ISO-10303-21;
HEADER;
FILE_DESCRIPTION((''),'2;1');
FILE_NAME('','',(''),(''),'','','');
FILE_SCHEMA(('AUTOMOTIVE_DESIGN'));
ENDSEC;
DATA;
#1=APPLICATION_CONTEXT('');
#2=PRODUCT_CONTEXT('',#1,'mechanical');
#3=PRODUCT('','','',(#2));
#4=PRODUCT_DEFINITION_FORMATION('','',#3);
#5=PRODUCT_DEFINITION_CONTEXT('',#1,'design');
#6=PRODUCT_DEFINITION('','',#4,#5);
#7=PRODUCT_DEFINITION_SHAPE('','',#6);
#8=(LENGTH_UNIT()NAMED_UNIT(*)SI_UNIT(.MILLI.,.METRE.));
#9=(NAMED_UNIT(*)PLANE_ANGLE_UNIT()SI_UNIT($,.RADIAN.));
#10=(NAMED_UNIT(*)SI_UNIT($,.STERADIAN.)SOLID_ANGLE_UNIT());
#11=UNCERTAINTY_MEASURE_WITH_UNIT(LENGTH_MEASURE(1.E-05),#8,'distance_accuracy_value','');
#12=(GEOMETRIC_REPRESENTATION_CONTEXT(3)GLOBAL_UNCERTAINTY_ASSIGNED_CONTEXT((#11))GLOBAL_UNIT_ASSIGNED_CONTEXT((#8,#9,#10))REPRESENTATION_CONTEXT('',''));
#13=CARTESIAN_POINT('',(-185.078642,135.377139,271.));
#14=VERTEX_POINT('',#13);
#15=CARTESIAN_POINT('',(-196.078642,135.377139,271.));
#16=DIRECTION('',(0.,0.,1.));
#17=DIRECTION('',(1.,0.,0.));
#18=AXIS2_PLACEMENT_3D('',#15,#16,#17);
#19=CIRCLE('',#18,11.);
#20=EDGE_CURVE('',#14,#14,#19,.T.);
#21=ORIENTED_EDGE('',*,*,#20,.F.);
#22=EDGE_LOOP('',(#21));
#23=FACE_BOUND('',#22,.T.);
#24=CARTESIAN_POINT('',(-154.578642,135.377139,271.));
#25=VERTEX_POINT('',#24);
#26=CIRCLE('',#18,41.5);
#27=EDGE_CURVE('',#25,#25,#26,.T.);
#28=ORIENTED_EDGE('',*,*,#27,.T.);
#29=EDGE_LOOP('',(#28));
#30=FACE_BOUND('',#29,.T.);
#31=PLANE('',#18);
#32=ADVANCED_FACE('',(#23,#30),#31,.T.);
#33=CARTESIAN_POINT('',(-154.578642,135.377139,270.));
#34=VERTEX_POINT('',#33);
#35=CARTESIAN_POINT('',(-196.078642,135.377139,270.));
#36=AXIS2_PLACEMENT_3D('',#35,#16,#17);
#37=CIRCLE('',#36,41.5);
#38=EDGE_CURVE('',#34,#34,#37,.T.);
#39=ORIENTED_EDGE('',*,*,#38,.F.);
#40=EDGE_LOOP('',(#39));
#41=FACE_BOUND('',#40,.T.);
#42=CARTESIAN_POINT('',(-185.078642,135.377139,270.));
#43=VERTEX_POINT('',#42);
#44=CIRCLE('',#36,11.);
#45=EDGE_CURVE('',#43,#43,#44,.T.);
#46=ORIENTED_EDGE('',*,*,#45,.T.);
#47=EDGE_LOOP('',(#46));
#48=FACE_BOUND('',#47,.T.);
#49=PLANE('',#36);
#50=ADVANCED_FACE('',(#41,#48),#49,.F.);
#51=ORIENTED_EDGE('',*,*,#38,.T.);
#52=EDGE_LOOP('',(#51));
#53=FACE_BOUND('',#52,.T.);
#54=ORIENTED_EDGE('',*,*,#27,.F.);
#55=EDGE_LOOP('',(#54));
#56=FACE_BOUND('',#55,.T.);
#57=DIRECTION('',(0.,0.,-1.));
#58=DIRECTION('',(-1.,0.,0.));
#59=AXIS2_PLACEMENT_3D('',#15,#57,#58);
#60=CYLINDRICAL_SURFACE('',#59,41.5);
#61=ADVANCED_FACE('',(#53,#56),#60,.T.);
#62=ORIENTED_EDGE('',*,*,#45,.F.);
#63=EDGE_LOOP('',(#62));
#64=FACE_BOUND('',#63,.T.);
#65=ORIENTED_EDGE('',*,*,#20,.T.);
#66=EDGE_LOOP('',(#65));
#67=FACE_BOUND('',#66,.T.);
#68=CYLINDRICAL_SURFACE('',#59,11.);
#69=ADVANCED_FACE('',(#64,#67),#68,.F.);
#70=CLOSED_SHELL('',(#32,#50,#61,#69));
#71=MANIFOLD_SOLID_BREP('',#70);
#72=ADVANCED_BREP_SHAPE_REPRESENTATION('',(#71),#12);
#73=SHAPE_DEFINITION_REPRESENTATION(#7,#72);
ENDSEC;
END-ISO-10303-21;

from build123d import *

# Parameters (mm, degrees)
SKETCH_2_R      = 41.5
SKETCH_2_R_2    = 11
EXTRUDE_1_DEPTH = 1


with BuildPart() as part:
    # 草图2 → 凸台-拉伸1 (new body)
    with BuildSketch(Plane.XY.offset(270)):
        with Locations((-196.078642011, 135.377138865)):
            Circle(SKETCH_2_R)
        with Locations((-196.078642011, 135.377138865)):
            Circle(SKETCH_2_R_2, mode=Mode.SUBTRACT)
    extrude(amount=EXTRUDE_1_DEPTH)


solid = part.part
